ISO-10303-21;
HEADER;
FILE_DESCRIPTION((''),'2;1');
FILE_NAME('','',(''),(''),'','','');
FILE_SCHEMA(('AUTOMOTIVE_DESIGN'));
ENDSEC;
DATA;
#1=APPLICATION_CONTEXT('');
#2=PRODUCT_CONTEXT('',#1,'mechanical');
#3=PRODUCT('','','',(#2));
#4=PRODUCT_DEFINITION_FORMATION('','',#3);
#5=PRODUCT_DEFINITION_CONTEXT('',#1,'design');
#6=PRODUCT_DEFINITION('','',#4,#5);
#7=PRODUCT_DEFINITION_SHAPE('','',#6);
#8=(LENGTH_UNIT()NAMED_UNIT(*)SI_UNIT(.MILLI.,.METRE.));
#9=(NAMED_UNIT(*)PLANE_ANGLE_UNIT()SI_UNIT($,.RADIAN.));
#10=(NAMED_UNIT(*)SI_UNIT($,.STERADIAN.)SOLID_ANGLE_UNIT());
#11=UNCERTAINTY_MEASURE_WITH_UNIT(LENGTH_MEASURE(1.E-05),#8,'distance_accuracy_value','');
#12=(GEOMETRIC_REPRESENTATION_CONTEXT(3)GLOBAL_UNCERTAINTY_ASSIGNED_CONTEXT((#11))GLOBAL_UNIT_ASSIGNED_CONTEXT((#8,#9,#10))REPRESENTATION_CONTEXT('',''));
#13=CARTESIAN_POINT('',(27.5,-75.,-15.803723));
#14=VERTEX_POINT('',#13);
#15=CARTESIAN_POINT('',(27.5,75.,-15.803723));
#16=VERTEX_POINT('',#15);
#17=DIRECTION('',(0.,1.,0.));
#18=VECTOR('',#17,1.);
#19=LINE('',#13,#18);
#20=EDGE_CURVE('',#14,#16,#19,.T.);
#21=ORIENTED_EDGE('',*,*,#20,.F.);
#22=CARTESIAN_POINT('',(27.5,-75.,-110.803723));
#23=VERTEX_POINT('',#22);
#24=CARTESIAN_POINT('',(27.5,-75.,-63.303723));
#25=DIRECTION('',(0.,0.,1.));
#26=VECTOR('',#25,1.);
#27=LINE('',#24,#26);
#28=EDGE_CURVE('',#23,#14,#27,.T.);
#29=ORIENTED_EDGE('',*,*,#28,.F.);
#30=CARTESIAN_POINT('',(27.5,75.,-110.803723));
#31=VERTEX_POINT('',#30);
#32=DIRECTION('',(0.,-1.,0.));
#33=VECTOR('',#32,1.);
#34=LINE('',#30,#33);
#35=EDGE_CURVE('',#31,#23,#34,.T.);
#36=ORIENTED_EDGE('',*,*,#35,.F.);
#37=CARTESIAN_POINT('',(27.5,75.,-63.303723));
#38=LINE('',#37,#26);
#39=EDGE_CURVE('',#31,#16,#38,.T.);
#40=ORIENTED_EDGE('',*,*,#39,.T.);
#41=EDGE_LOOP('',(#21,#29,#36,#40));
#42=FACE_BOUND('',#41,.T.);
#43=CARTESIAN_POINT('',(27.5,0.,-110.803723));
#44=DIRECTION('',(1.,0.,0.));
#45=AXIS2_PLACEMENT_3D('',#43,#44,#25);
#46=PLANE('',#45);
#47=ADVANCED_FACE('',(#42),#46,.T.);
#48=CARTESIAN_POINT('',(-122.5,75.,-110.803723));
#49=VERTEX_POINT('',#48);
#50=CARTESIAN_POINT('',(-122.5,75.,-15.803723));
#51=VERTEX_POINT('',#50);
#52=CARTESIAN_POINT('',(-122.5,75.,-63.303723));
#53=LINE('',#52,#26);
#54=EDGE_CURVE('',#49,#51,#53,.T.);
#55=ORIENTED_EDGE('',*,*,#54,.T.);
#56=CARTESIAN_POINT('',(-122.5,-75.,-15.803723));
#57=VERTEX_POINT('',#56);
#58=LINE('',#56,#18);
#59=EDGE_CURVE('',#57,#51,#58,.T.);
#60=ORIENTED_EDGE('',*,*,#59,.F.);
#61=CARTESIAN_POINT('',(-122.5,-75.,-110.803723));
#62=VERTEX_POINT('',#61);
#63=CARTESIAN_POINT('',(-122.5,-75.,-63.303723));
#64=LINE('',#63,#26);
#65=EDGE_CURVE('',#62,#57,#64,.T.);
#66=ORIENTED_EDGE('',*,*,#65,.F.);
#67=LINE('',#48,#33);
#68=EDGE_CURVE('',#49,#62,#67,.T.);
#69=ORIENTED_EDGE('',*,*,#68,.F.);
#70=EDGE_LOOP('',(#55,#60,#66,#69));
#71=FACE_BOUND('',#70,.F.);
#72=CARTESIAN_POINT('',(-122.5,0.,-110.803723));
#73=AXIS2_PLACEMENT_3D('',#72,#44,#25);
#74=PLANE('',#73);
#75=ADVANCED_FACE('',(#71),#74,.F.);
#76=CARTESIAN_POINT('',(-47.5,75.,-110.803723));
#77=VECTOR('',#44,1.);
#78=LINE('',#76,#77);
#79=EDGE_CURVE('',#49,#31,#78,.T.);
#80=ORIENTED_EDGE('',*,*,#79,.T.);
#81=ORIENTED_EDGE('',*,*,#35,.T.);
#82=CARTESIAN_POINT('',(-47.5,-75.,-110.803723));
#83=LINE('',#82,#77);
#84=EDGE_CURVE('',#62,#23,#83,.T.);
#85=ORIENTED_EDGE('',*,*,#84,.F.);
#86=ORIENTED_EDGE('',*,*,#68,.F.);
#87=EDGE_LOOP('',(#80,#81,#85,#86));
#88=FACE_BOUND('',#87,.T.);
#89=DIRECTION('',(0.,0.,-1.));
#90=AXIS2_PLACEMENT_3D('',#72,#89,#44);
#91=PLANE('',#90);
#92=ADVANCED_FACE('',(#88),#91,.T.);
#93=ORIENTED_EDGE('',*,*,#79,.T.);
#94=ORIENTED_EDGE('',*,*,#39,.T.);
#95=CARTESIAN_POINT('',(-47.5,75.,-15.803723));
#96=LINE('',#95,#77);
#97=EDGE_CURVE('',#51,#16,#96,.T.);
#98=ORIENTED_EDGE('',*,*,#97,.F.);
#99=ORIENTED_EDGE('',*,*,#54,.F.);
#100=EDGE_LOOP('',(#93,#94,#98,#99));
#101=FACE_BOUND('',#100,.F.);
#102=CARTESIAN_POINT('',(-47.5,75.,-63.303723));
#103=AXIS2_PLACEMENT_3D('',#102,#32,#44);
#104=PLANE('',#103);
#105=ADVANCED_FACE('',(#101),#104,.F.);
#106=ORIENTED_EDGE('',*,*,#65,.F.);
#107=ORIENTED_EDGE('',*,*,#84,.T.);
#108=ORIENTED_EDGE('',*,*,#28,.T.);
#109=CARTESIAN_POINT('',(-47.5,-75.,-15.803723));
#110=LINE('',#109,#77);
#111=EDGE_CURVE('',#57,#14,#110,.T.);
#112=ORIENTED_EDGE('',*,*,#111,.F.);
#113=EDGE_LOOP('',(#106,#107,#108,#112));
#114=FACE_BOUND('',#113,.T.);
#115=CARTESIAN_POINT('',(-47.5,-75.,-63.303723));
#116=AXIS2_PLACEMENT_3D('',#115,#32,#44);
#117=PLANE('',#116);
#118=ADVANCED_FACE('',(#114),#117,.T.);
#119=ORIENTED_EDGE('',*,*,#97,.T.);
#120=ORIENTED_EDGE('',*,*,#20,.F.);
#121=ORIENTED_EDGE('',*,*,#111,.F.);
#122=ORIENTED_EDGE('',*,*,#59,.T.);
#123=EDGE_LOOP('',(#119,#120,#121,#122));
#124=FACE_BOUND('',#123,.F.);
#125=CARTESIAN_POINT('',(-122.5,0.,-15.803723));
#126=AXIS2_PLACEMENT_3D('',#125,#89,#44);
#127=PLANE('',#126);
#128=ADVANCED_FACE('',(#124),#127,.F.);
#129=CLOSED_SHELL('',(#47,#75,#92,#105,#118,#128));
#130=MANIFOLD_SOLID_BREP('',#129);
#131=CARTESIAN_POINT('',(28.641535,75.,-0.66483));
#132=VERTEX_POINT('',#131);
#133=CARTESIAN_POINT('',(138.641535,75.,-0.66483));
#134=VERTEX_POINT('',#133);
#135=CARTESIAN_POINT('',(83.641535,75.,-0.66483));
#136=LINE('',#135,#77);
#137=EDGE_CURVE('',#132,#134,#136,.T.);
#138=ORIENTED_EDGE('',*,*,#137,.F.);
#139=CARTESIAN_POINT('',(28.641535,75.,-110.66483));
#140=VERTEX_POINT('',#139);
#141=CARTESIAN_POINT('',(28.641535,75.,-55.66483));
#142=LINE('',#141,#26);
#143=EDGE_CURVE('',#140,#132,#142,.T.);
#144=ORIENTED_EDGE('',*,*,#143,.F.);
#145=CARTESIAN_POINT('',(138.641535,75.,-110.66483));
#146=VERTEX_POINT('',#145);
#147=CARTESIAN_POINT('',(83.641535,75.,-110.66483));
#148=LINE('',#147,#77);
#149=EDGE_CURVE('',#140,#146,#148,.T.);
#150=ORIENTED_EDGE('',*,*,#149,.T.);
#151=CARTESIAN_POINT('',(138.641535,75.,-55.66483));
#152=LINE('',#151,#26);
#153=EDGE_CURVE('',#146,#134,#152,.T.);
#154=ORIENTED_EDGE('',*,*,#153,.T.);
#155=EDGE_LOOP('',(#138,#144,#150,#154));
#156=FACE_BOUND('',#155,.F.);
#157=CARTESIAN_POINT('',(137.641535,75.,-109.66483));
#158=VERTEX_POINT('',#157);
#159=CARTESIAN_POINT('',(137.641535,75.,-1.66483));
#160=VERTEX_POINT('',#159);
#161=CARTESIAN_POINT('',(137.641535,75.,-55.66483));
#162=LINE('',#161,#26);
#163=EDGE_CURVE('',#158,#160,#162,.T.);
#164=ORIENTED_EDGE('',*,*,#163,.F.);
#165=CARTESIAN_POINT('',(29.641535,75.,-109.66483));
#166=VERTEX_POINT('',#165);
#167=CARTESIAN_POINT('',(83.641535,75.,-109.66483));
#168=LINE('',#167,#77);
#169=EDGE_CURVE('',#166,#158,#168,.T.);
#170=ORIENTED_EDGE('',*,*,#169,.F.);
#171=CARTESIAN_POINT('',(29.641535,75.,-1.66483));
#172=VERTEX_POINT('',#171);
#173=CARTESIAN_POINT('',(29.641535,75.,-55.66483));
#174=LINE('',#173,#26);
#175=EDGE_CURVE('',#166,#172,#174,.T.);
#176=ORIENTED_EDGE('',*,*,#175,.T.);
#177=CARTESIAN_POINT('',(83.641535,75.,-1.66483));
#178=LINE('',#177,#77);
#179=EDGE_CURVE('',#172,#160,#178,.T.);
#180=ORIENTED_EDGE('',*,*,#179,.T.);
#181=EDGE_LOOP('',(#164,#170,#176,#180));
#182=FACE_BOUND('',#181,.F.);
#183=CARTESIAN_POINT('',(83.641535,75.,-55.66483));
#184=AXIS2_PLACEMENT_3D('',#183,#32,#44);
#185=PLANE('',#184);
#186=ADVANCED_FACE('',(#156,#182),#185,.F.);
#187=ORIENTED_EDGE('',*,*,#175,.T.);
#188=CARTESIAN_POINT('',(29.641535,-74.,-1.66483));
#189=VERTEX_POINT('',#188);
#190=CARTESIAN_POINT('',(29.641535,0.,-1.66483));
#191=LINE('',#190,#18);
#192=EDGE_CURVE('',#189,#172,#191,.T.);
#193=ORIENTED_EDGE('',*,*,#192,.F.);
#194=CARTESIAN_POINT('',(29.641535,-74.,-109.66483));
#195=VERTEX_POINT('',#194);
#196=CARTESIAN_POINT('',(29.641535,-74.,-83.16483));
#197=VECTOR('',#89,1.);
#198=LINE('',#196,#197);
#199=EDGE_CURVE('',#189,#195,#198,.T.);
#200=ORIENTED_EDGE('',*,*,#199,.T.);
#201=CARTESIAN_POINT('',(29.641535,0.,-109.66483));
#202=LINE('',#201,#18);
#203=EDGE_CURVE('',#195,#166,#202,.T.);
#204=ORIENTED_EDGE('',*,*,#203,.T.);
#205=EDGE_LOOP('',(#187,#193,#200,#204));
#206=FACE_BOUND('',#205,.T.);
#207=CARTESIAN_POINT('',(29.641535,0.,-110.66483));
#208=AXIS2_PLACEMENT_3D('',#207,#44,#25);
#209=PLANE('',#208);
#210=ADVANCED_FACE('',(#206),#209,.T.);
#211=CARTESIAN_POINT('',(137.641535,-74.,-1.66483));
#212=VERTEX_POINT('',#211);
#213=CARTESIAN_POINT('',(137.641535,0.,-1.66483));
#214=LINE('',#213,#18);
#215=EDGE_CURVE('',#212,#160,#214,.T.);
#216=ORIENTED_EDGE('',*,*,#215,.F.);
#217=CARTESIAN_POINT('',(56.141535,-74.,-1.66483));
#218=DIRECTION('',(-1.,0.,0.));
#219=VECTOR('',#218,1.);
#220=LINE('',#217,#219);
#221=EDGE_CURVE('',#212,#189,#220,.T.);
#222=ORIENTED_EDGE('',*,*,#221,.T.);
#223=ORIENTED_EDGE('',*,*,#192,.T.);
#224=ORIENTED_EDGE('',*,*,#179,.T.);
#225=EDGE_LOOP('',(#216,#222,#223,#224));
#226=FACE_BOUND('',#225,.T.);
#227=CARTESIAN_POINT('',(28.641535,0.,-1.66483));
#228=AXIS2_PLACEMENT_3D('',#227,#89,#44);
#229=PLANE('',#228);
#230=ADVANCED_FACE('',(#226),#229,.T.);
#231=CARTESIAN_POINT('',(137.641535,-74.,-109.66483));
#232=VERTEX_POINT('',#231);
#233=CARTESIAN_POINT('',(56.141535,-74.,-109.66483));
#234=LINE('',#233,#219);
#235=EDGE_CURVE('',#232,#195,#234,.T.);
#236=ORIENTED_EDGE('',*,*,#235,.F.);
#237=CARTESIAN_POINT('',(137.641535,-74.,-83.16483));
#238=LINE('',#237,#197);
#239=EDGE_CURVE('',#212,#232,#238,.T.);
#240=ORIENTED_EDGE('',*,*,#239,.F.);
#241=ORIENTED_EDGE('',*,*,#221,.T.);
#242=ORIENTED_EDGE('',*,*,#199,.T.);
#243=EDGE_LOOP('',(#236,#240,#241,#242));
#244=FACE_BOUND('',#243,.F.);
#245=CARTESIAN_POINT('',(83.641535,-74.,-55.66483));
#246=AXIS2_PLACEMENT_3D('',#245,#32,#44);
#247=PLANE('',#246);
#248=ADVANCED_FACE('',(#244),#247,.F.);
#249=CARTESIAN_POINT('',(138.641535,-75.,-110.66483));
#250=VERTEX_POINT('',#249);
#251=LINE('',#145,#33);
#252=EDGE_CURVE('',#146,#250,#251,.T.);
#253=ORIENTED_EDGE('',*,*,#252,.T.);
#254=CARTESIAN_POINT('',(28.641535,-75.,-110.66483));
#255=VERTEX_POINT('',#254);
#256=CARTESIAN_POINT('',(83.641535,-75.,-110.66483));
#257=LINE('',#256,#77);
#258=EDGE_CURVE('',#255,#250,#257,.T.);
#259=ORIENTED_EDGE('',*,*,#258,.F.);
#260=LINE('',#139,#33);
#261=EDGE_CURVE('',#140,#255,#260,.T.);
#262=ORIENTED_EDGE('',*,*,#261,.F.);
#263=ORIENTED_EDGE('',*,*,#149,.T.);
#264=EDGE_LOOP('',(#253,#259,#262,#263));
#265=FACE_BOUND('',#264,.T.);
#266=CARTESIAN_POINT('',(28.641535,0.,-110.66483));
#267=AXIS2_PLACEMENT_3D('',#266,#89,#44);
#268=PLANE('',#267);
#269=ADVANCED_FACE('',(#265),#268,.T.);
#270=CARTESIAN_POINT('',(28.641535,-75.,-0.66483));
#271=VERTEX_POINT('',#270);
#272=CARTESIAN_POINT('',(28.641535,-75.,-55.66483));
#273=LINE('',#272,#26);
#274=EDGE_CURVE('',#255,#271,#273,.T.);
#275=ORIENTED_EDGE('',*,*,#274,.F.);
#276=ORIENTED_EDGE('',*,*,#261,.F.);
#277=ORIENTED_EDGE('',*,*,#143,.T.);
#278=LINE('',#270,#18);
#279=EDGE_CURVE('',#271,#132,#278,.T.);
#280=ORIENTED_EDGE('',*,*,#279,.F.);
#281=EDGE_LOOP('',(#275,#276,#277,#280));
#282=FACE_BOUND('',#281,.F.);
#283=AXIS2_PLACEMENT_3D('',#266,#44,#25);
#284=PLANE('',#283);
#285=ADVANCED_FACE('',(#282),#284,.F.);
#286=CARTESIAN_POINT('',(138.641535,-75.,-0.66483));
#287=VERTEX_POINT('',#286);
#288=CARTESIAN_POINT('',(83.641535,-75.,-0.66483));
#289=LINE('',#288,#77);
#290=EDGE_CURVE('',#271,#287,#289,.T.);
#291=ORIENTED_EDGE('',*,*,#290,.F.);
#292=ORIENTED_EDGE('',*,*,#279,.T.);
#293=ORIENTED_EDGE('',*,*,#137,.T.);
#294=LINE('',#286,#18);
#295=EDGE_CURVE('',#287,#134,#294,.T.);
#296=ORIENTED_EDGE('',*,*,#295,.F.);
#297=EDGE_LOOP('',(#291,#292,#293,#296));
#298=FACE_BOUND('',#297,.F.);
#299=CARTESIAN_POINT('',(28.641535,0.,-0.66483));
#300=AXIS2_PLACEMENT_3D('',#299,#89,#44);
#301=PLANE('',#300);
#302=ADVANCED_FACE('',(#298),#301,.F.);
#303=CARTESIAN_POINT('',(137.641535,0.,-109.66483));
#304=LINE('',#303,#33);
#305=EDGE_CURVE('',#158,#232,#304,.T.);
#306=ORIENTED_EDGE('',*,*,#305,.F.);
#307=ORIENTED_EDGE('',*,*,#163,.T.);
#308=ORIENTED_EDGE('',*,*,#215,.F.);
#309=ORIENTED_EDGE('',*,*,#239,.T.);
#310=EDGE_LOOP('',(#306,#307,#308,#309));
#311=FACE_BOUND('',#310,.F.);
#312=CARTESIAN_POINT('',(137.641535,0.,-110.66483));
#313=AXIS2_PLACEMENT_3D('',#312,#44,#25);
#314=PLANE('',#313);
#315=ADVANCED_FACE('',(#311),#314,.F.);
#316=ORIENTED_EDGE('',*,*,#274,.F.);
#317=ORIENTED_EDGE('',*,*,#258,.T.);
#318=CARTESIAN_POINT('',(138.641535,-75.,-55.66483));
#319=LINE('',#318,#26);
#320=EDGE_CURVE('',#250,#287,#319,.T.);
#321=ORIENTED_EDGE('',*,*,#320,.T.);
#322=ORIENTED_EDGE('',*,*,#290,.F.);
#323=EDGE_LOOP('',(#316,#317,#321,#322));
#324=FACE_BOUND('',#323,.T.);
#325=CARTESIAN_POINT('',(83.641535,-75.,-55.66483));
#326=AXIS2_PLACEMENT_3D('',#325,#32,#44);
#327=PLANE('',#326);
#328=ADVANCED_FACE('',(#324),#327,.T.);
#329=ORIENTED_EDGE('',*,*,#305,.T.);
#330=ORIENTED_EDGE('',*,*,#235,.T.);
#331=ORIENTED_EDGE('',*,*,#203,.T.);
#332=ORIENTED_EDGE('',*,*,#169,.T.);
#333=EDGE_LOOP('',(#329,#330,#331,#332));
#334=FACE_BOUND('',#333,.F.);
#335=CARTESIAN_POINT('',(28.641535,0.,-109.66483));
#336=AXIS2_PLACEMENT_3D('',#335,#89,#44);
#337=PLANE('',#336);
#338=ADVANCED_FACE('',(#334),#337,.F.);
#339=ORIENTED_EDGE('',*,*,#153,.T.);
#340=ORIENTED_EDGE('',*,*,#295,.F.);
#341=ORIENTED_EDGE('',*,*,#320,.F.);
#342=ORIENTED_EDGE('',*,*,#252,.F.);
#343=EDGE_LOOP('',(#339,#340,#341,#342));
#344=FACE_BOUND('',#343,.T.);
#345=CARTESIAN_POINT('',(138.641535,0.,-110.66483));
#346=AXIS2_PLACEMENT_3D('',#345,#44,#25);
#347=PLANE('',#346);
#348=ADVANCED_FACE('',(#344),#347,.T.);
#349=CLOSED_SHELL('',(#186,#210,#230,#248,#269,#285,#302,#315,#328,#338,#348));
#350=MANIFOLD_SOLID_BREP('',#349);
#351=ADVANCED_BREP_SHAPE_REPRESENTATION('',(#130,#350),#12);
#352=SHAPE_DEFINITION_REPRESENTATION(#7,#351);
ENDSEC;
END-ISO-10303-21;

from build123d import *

# Parameters (mm, degrees)
F0_W     = 150
F0_H     = 95
F1_DEPTH = 75
F2_W     = 110
F2_H     = 110
F3_DEPTH = 75
F4_T     = -1


with BuildPart() as f1:
    # F0 (on Front) → F1 (new body, symmetric)
    with BuildSketch(Plane.XZ):
        with Locations((-47.5, -63.303723)):
            Rectangle(F0_W, F0_H)
    extrude(amount=F1_DEPTH, both=True)


with BuildPart() as f3:
    # F2 (on Front) → F3 (new body, symmetric)
    with BuildSketch(Plane.XZ):
        with Locations((83.641535, -55.66483)):
            Rectangle(F2_W, F2_H)
    extrude(amount=F3_DEPTH, both=True)

    # F4
    f4_openings = [f3.faces().sort_by_distance(p)[0] for p in [
        (83.641535, 75, -55.66483),
    ]]
    offset(amount=F4_T, openings=f4_openings)


solid = Compound([f1.part, f3.part])
